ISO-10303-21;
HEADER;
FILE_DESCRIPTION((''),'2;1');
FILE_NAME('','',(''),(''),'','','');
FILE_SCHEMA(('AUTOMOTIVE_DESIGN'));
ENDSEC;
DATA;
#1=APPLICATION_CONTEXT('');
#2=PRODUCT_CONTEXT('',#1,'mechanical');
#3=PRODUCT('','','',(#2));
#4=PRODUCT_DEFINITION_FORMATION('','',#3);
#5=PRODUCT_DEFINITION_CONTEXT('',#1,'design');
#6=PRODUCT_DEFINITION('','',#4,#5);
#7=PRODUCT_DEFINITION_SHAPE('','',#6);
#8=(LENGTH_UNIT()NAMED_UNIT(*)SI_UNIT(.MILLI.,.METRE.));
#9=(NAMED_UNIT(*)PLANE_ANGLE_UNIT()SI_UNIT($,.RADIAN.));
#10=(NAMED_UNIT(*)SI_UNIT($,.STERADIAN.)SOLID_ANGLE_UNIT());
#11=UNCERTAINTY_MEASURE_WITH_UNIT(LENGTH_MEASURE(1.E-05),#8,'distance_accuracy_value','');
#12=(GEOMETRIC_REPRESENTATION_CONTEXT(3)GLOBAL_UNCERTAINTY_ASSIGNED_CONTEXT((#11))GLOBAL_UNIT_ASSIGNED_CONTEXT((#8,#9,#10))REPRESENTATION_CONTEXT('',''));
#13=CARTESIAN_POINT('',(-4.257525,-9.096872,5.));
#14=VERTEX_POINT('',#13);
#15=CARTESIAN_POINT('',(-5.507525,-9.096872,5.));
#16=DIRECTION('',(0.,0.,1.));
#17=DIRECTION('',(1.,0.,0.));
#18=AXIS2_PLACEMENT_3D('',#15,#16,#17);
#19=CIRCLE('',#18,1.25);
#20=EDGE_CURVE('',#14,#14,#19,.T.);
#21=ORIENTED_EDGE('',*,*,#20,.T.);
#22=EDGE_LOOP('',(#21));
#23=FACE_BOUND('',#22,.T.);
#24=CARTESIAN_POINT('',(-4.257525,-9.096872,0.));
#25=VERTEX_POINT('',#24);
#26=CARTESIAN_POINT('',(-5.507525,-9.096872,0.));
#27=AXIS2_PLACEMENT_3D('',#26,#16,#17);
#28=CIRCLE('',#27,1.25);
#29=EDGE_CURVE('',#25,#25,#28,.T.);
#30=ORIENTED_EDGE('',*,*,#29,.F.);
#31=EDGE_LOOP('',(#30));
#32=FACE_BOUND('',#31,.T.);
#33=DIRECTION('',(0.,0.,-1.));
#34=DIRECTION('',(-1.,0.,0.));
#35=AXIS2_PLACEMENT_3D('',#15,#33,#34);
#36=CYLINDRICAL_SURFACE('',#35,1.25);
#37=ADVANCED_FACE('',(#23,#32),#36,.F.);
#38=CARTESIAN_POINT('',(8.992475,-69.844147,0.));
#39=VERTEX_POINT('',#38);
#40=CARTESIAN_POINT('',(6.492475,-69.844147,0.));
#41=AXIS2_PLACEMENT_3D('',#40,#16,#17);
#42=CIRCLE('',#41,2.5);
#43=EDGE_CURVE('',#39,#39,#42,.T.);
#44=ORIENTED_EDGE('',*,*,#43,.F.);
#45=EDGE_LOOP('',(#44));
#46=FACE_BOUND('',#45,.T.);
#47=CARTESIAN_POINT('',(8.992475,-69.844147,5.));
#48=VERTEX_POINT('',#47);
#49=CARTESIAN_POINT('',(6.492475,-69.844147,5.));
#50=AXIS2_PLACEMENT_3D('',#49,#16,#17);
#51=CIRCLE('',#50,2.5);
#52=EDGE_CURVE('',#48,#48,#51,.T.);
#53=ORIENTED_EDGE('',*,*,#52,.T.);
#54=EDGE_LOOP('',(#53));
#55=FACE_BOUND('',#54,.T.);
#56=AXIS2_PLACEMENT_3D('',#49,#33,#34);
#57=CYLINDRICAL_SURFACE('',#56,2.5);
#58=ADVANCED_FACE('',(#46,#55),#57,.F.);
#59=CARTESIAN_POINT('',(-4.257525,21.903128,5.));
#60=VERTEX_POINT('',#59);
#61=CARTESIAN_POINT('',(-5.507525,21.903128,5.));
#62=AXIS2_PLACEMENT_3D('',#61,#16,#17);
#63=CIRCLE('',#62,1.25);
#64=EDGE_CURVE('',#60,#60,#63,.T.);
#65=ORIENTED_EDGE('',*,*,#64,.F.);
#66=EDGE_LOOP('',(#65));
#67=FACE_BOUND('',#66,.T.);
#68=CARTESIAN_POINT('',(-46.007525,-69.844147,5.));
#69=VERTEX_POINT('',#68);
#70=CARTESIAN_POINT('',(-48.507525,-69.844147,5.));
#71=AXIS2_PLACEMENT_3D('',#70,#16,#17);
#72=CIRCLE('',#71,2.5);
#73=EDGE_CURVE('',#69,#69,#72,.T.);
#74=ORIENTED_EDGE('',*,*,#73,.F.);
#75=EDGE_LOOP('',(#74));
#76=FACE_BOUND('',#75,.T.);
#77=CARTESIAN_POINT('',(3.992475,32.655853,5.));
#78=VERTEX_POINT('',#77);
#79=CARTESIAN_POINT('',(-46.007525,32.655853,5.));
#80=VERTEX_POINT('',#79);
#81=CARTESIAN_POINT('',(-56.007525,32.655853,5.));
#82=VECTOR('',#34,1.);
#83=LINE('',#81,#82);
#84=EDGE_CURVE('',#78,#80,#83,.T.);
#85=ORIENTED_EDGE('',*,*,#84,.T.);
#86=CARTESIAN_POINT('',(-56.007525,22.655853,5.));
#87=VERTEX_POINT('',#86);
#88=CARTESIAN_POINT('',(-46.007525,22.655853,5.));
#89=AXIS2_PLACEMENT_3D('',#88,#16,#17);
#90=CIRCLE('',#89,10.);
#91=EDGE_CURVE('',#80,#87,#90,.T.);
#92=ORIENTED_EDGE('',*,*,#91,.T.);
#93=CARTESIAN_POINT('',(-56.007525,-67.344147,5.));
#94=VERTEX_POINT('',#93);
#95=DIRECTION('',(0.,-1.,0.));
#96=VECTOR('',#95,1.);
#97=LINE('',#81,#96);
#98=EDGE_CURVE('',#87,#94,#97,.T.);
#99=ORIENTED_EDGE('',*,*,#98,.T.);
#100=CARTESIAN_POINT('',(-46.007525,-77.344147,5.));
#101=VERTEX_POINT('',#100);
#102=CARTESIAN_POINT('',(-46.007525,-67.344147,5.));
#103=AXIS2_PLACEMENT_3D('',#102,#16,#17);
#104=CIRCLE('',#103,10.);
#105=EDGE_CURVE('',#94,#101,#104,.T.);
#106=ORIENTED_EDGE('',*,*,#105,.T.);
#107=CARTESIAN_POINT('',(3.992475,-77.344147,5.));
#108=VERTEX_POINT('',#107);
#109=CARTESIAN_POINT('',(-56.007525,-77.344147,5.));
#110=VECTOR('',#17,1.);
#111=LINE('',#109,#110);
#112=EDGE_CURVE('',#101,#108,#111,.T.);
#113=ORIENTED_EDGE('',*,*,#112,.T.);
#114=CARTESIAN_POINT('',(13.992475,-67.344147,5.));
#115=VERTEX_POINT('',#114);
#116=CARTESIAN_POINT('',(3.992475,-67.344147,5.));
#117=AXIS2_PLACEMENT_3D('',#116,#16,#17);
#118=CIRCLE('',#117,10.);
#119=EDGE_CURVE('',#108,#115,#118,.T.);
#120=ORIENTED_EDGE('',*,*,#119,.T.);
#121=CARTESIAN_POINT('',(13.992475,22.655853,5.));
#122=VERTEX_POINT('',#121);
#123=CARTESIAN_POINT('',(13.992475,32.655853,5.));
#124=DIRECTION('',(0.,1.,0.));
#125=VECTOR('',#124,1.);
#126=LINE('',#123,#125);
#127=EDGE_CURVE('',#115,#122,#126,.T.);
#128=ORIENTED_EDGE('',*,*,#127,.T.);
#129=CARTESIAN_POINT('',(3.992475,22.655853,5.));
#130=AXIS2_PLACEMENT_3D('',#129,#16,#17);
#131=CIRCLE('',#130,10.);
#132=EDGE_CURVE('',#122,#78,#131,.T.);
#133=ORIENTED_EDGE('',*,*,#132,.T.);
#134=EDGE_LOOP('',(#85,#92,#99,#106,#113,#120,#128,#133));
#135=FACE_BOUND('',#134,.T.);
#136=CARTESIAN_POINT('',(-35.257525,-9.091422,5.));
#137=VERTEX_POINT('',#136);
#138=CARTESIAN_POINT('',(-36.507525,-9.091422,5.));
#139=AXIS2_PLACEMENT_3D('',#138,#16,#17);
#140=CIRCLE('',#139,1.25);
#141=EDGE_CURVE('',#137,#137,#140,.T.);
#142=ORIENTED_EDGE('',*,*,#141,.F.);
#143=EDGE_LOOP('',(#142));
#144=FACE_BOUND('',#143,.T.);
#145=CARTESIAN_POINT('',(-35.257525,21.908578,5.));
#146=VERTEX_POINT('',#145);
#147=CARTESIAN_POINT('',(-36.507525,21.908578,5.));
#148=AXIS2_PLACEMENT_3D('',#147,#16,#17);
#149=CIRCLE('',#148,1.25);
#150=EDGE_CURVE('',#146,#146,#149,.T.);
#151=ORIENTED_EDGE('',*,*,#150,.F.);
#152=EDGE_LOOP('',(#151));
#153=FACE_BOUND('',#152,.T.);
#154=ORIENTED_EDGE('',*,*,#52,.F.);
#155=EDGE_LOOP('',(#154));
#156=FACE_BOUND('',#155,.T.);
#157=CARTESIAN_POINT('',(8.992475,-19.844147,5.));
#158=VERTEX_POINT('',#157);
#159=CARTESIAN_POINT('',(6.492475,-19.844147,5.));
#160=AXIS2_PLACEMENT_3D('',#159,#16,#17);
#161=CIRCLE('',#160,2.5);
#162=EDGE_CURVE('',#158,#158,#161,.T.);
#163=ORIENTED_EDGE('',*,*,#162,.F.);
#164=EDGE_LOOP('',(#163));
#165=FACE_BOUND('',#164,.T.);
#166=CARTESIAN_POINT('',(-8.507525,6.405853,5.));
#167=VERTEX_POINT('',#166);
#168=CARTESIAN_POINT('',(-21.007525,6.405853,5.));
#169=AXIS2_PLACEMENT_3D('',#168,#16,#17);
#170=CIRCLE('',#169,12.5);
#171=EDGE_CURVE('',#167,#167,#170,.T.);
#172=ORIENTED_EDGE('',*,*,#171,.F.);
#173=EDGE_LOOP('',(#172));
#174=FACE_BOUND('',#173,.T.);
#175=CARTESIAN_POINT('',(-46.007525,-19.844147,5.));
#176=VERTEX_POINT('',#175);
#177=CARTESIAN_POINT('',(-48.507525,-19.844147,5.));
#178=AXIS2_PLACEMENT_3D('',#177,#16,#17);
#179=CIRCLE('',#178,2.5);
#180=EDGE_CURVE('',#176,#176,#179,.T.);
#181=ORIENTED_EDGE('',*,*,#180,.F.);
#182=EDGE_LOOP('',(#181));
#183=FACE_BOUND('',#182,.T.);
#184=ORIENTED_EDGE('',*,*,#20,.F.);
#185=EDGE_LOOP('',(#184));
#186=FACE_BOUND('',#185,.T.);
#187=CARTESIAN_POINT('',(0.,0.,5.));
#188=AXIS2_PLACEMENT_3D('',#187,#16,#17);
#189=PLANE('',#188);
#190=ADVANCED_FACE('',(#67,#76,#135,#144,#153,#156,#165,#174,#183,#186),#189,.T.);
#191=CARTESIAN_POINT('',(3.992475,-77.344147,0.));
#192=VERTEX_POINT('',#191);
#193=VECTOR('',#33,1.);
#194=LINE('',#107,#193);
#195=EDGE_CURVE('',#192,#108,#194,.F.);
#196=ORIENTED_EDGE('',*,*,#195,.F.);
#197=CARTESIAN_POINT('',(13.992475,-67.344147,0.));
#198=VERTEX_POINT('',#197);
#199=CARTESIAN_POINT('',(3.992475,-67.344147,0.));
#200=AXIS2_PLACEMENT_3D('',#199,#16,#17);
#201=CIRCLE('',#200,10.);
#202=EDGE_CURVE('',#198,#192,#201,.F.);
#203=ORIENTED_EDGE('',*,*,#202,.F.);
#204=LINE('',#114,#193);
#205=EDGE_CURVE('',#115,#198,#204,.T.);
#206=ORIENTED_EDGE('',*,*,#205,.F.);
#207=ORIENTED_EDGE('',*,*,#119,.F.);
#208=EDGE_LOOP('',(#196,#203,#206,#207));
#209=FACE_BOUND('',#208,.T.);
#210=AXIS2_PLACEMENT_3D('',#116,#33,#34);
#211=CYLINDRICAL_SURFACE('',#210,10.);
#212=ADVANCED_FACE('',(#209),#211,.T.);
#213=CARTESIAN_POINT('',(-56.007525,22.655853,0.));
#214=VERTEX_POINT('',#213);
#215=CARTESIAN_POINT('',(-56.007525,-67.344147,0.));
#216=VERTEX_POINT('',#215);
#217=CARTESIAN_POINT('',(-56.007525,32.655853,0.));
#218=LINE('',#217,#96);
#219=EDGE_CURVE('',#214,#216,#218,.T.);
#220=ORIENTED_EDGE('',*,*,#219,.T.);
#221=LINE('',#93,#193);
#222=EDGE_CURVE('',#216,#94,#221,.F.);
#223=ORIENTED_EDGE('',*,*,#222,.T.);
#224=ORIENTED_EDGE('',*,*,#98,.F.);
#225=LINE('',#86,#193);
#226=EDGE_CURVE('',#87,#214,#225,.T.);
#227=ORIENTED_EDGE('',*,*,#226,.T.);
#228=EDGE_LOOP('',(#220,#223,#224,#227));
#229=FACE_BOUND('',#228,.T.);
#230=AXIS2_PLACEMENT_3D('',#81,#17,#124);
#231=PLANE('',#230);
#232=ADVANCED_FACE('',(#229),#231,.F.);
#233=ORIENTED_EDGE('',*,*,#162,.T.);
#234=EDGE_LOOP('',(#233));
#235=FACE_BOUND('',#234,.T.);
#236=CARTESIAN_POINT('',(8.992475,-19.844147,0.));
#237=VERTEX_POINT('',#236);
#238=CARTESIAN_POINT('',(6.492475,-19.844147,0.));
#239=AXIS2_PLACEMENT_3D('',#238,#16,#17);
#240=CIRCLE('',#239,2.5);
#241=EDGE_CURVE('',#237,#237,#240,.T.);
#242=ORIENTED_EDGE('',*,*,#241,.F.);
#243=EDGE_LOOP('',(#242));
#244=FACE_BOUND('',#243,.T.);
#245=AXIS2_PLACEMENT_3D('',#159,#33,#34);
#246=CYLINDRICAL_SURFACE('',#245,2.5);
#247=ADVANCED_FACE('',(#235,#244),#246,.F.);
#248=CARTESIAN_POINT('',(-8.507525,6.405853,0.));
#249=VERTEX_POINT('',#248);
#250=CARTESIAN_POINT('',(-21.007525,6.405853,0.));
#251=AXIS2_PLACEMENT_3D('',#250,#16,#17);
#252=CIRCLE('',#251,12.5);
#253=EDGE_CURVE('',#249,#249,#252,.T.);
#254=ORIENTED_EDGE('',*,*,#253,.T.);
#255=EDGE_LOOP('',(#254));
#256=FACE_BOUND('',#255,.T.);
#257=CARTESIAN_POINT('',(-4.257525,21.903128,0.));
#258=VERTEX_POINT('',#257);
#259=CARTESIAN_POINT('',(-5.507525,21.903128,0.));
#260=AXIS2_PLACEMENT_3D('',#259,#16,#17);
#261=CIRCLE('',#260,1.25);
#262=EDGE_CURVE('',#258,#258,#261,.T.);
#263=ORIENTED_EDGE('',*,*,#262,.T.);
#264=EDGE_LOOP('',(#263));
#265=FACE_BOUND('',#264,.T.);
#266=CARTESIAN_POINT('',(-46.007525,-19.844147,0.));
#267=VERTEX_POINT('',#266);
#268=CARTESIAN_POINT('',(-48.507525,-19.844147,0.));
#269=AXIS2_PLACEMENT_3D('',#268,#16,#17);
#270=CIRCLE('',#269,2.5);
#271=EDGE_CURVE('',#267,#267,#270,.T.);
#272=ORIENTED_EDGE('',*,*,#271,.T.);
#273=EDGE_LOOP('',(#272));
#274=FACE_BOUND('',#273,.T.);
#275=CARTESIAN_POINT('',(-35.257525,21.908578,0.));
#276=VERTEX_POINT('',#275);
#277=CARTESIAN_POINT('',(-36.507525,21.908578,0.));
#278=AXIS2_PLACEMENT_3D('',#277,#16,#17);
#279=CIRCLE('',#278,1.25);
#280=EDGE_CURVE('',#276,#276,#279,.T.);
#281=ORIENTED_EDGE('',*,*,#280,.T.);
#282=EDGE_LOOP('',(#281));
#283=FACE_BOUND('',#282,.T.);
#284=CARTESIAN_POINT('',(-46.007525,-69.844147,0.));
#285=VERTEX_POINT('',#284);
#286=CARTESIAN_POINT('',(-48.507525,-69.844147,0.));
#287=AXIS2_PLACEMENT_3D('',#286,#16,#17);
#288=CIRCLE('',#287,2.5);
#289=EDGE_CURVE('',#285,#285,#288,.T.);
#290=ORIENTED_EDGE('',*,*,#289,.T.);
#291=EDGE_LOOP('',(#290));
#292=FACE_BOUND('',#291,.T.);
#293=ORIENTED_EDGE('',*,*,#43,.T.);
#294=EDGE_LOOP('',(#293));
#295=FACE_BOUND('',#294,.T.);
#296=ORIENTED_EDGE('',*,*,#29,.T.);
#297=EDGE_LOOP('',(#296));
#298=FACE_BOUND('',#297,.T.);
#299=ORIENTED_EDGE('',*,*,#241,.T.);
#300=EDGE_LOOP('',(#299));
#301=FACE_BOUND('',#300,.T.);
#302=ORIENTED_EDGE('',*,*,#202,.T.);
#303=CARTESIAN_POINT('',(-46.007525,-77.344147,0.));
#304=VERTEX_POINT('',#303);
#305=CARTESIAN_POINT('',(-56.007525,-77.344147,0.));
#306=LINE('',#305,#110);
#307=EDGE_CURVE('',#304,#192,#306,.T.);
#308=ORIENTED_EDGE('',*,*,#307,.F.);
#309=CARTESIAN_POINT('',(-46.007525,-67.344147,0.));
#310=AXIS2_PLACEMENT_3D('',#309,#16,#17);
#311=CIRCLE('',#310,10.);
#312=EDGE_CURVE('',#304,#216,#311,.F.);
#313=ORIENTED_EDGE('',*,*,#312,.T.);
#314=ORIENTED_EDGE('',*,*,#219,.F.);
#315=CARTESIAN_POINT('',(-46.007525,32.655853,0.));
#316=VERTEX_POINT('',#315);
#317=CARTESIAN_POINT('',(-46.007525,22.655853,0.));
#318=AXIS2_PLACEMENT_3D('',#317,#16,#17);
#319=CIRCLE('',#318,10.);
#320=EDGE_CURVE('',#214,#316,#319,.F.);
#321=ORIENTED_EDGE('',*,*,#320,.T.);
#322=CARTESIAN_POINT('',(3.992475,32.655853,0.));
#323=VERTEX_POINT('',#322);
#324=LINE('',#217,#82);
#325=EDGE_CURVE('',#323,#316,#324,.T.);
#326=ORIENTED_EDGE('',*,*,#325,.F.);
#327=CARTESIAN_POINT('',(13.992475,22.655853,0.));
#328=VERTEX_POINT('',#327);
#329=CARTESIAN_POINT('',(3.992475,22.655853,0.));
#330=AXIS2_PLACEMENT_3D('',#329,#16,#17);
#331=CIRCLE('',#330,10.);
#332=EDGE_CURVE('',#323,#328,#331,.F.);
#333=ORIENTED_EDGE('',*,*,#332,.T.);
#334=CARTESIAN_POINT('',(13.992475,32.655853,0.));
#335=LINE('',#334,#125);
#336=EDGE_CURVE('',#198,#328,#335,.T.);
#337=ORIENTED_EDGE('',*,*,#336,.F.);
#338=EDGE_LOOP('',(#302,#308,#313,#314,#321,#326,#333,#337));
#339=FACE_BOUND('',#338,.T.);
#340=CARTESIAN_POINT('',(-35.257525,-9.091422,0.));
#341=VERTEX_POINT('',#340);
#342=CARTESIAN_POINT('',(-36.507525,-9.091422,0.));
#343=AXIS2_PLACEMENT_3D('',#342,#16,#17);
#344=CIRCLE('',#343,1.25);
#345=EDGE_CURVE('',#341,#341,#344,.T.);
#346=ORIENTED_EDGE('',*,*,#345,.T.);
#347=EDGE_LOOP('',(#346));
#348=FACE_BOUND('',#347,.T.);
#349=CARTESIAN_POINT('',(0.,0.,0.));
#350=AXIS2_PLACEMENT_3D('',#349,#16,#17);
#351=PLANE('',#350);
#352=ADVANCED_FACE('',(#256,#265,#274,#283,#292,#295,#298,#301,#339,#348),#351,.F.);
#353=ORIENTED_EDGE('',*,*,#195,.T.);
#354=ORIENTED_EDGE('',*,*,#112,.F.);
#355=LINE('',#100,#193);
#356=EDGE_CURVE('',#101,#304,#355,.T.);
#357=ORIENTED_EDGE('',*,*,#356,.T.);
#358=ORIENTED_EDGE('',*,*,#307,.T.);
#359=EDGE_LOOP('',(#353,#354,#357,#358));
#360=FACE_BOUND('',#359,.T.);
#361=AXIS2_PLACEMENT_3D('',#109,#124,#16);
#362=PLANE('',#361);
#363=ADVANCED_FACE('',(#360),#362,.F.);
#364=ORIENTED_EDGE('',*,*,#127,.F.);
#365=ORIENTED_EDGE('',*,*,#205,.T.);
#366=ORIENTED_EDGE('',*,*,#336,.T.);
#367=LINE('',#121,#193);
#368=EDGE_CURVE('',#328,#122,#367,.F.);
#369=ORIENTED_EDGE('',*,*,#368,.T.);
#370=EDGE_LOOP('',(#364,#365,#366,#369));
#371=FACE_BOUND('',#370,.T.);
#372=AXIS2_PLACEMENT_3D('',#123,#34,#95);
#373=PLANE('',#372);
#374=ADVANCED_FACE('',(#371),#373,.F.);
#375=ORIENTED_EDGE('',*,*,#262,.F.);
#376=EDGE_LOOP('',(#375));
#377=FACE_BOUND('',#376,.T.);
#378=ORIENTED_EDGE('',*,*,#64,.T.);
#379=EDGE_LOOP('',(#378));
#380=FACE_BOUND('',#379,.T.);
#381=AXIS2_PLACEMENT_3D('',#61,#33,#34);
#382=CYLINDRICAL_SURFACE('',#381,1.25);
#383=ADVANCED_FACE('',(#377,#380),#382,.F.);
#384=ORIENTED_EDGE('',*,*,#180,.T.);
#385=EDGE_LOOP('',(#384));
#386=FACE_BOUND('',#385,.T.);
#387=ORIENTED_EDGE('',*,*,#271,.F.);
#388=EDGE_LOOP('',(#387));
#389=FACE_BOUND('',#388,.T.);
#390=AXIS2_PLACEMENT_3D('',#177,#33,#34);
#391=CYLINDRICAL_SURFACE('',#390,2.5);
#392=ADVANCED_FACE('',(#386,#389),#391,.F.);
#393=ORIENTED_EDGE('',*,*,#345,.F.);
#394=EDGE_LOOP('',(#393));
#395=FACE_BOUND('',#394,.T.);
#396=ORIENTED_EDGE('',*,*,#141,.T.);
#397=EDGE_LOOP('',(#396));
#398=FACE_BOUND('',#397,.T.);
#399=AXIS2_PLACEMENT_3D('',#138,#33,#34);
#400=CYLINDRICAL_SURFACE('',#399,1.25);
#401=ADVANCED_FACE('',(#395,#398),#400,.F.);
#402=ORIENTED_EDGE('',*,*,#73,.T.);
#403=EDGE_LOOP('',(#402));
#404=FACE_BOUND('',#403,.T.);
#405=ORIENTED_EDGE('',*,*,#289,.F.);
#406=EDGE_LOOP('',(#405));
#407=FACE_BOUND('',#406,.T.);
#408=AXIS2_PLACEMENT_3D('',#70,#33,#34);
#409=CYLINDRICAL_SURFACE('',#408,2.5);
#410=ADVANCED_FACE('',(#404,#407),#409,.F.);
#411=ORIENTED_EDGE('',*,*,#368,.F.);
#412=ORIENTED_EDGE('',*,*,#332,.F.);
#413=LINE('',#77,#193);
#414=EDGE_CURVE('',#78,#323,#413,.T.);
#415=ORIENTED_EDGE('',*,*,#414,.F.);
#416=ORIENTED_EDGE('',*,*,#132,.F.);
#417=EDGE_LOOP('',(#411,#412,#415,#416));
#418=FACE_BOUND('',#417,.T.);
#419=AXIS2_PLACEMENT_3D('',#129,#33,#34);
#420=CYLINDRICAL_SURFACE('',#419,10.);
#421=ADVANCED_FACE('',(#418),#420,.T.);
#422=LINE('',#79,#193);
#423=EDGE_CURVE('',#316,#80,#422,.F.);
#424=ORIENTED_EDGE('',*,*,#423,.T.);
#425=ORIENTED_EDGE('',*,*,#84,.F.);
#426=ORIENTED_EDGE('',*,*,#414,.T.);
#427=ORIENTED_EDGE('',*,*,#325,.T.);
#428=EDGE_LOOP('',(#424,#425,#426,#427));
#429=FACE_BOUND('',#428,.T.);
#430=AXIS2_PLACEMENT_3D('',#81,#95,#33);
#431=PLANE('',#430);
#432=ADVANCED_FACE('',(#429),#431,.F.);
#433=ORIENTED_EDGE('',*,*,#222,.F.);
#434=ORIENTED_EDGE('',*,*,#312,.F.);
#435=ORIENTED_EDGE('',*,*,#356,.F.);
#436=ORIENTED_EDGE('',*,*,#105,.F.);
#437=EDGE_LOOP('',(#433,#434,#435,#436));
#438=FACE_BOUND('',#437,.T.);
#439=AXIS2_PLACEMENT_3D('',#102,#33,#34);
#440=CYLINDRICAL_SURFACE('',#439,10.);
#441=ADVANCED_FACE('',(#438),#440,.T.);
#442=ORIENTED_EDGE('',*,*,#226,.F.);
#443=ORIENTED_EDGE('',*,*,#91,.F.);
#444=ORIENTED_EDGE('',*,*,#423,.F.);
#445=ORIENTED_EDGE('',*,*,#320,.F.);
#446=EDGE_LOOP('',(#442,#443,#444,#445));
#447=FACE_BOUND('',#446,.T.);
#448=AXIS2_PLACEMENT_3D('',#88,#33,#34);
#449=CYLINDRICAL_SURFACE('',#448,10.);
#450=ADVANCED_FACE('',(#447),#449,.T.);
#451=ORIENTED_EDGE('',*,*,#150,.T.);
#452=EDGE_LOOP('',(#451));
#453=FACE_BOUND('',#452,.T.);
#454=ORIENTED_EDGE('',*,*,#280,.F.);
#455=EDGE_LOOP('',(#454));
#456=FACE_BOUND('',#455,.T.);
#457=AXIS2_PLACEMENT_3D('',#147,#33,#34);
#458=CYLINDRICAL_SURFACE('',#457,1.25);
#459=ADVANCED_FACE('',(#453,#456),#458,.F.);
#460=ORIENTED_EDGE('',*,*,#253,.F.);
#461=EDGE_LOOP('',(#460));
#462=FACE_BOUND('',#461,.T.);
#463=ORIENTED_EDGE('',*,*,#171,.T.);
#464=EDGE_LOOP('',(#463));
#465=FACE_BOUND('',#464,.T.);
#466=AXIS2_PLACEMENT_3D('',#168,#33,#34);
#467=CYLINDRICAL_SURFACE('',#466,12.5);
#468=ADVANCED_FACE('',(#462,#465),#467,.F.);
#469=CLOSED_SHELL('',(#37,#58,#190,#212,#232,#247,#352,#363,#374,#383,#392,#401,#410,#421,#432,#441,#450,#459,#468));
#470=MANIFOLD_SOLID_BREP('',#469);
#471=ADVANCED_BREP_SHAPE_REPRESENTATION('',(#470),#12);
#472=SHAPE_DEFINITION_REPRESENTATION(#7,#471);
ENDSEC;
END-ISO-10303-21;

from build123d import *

# Parameters (mm, degrees)
SKETCH1_W           = 70
SKETCH1_H           = 110
SKETCH1_R           = 2.5
SKETCH1_R_2         = 12.5
SKETCH1_R_3         = 1.25
BOSS_EXTRUDE1_DEPTH = 5
FILLET1_R           = 10


with BuildPart() as part:
    # Sketch1 → Boss-Extrude1 (new body)
    with BuildSketch(Plane.XY):
        with Locations((-21.007524629, -22.344146878)):
            Rectangle(SKETCH1_W, SKETCH1_H)
        with Locations((-48.507524629, -19.844146878)):
            Circle(SKETCH1_R, mode=Mode.SUBTRACT)
        with Locations((6.492475371, -19.844146878)):
            Circle(SKETCH1_R, mode=Mode.SUBTRACT)
        with Locations((-48.507524629, -69.844146878)):
            Circle(SKETCH1_R, mode=Mode.SUBTRACT)
        with Locations((6.492475371, -69.844146878)):
            Circle(SKETCH1_R, mode=Mode.SUBTRACT)
        with Locations((-21.007524629, 6.405853122)):
            Circle(SKETCH1_R_2, mode=Mode.SUBTRACT)
        with Locations((-36.507524629, 21.908578371)):
            Circle(SKETCH1_R_3, mode=Mode.SUBTRACT)
        with Locations((-5.507524629, 21.903128352)):
            Circle(SKETCH1_R_3, mode=Mode.SUBTRACT)
        with Locations((-5.507524629, -9.096872127)):
            Circle(SKETCH1_R_3, mode=Mode.SUBTRACT)
        with Locations((-36.507524629, -9.091422108)):
            Circle(SKETCH1_R_3, mode=Mode.SUBTRACT)
    extrude(amount=BOSS_EXTRUDE1_DEPTH)

    # Fillet1
    fillet1_edges = [part.edges().sort_by_distance(p)[0] for p in [
        (-56.007524629, 32.655853122, 2.5),
        (13.992475371, 32.655853122, 2.5),
        (13.992475371, -77.344146878, 2.5),
        (-56.007524629, -77.344146878, 2.5),
    ]]
    fillet(fillet1_edges, radius=FILLET1_R)


solid = part.part
